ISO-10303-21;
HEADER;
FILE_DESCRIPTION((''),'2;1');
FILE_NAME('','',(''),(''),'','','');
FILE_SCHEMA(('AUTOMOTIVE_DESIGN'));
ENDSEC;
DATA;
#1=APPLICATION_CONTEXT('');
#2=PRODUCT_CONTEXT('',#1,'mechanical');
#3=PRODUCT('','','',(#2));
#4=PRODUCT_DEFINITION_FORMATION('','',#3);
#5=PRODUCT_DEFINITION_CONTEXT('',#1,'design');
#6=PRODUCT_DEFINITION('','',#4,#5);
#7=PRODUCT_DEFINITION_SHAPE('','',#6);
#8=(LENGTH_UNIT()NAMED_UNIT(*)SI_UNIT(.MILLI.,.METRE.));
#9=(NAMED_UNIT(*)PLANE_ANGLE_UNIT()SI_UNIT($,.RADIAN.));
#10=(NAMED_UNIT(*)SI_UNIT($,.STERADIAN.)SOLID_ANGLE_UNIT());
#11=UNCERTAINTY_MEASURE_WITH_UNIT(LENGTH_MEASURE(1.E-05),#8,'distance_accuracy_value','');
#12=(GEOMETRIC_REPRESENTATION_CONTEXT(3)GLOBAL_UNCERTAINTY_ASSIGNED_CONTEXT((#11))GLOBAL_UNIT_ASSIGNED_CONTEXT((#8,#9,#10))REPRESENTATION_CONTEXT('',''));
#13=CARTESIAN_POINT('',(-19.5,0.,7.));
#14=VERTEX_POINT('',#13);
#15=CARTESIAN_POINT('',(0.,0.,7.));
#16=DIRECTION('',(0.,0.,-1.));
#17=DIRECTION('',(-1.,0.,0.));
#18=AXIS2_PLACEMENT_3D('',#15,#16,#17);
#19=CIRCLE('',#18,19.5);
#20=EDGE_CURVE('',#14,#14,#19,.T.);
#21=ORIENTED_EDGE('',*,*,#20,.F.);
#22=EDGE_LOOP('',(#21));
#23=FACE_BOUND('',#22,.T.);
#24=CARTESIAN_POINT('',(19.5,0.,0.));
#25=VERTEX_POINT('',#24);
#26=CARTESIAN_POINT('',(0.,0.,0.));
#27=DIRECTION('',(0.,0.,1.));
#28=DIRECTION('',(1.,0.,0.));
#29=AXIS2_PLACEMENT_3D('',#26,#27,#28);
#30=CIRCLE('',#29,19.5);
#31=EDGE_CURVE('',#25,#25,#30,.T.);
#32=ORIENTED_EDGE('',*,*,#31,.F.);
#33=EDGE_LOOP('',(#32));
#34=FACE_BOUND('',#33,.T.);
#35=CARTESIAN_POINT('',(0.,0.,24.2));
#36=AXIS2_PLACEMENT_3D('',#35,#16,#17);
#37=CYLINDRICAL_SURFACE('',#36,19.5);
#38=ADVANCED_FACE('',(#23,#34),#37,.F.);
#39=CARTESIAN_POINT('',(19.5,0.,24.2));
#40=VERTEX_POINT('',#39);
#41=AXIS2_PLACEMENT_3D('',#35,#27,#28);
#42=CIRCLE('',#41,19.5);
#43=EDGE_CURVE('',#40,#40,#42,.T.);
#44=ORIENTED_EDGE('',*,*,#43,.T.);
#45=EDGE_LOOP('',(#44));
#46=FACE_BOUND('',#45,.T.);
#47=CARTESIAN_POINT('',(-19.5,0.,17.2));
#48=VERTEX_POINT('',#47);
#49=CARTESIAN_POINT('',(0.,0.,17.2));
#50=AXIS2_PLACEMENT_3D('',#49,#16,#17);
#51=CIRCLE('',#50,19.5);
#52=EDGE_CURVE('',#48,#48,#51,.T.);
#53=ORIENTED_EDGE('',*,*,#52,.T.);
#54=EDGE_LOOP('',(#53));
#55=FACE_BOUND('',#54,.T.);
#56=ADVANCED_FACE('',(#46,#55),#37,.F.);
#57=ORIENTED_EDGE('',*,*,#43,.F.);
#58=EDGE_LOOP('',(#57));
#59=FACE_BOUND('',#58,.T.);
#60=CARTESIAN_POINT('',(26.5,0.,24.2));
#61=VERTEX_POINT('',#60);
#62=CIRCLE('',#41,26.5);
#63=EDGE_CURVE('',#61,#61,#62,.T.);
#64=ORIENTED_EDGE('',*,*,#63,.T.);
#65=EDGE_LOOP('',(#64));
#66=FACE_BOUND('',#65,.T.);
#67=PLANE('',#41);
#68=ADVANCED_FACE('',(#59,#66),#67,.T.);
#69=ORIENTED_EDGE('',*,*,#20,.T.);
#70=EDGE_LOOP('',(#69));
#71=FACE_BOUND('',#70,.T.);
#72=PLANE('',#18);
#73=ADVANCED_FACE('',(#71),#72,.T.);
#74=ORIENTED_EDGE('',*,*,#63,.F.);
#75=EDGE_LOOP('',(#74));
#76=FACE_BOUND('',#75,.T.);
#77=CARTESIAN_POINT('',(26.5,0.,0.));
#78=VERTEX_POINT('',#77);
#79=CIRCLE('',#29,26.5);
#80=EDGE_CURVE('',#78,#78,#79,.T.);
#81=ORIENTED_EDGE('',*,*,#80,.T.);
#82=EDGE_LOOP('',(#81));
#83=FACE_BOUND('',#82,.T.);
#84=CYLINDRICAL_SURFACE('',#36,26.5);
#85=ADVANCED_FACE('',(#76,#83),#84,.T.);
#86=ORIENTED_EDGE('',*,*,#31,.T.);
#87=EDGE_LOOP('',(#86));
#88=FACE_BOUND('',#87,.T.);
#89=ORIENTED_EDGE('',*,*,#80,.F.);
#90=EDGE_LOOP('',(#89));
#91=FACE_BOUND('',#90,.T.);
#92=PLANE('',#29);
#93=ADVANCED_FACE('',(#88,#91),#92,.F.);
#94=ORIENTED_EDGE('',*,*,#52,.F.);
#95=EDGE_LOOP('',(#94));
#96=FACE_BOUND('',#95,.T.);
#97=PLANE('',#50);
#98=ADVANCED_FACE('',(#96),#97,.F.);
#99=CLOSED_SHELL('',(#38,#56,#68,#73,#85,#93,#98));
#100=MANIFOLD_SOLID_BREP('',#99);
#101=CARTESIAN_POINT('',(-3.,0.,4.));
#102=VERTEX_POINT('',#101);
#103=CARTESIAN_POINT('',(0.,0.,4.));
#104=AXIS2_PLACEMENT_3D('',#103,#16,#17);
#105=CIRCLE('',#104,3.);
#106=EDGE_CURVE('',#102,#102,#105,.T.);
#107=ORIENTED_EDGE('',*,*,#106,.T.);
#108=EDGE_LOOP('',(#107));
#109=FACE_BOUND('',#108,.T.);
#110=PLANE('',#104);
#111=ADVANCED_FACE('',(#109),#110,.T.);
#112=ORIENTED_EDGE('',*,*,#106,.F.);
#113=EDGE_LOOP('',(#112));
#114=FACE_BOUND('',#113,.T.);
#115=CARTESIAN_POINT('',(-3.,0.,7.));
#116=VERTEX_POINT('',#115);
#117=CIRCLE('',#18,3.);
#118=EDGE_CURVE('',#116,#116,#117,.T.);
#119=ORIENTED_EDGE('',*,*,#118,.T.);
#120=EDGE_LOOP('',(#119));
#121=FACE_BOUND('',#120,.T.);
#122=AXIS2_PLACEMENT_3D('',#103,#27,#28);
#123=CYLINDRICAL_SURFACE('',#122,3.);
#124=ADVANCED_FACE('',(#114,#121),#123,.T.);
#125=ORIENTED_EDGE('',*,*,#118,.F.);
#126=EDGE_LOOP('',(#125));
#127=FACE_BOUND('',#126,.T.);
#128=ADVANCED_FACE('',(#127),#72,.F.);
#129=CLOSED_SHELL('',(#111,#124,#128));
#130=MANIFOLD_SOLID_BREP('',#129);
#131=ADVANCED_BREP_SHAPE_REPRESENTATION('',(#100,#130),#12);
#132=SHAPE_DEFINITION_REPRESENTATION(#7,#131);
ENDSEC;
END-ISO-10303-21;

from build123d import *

# Parameters (mm, degrees)
SKETCH_1_R      = 26.5
SKETCH_1_R_2    = 19.5
EXTRUDE_1_DEPTH = 24.2
EXTRUDE_START   = -7
SKETCH_2_R      = 19.5
EXTRUDE_7_DEPTH = 10.2
SKETCH_4_R      = 3
EXTRUDE_8_DEPTH = 3


with BuildPart() as part:
    # ｽｹｯﾁ1 → ﾎﾞｽ - 押し出し1 (new body)
    with BuildSketch(Plane.XY):
        Circle(SKETCH_1_R)
        Circle(SKETCH_1_R_2, mode=Mode.SUBTRACT)
    extrude(amount=EXTRUDE_1_DEPTH)

    # ｽｹｯﾁ2 → ﾎﾞｽ - 押し出し7 (add)
    with BuildSketch(Plane(origin=(0, 0, 0), x_dir=(-1, 0, 0), z_dir=(0, 0, -1)).offset(EXTRUDE_START)):
        Circle(SKETCH_2_R)
    extrude(amount=-EXTRUDE_7_DEPTH)


with BuildPart() as body_2:
    # ｽｹｯﾁ4 → ﾎﾞｽ - 押し出し8 (new body)
    with BuildSketch(Plane(origin=(0, 0, 0), x_dir=(-1, 0, 0), z_dir=(0, 0, -1)).offset(EXTRUDE_START)):
        Circle(SKETCH_4_R)
    extrude(amount=EXTRUDE_8_DEPTH)


solid = Compound([part.part, body_2.part])
